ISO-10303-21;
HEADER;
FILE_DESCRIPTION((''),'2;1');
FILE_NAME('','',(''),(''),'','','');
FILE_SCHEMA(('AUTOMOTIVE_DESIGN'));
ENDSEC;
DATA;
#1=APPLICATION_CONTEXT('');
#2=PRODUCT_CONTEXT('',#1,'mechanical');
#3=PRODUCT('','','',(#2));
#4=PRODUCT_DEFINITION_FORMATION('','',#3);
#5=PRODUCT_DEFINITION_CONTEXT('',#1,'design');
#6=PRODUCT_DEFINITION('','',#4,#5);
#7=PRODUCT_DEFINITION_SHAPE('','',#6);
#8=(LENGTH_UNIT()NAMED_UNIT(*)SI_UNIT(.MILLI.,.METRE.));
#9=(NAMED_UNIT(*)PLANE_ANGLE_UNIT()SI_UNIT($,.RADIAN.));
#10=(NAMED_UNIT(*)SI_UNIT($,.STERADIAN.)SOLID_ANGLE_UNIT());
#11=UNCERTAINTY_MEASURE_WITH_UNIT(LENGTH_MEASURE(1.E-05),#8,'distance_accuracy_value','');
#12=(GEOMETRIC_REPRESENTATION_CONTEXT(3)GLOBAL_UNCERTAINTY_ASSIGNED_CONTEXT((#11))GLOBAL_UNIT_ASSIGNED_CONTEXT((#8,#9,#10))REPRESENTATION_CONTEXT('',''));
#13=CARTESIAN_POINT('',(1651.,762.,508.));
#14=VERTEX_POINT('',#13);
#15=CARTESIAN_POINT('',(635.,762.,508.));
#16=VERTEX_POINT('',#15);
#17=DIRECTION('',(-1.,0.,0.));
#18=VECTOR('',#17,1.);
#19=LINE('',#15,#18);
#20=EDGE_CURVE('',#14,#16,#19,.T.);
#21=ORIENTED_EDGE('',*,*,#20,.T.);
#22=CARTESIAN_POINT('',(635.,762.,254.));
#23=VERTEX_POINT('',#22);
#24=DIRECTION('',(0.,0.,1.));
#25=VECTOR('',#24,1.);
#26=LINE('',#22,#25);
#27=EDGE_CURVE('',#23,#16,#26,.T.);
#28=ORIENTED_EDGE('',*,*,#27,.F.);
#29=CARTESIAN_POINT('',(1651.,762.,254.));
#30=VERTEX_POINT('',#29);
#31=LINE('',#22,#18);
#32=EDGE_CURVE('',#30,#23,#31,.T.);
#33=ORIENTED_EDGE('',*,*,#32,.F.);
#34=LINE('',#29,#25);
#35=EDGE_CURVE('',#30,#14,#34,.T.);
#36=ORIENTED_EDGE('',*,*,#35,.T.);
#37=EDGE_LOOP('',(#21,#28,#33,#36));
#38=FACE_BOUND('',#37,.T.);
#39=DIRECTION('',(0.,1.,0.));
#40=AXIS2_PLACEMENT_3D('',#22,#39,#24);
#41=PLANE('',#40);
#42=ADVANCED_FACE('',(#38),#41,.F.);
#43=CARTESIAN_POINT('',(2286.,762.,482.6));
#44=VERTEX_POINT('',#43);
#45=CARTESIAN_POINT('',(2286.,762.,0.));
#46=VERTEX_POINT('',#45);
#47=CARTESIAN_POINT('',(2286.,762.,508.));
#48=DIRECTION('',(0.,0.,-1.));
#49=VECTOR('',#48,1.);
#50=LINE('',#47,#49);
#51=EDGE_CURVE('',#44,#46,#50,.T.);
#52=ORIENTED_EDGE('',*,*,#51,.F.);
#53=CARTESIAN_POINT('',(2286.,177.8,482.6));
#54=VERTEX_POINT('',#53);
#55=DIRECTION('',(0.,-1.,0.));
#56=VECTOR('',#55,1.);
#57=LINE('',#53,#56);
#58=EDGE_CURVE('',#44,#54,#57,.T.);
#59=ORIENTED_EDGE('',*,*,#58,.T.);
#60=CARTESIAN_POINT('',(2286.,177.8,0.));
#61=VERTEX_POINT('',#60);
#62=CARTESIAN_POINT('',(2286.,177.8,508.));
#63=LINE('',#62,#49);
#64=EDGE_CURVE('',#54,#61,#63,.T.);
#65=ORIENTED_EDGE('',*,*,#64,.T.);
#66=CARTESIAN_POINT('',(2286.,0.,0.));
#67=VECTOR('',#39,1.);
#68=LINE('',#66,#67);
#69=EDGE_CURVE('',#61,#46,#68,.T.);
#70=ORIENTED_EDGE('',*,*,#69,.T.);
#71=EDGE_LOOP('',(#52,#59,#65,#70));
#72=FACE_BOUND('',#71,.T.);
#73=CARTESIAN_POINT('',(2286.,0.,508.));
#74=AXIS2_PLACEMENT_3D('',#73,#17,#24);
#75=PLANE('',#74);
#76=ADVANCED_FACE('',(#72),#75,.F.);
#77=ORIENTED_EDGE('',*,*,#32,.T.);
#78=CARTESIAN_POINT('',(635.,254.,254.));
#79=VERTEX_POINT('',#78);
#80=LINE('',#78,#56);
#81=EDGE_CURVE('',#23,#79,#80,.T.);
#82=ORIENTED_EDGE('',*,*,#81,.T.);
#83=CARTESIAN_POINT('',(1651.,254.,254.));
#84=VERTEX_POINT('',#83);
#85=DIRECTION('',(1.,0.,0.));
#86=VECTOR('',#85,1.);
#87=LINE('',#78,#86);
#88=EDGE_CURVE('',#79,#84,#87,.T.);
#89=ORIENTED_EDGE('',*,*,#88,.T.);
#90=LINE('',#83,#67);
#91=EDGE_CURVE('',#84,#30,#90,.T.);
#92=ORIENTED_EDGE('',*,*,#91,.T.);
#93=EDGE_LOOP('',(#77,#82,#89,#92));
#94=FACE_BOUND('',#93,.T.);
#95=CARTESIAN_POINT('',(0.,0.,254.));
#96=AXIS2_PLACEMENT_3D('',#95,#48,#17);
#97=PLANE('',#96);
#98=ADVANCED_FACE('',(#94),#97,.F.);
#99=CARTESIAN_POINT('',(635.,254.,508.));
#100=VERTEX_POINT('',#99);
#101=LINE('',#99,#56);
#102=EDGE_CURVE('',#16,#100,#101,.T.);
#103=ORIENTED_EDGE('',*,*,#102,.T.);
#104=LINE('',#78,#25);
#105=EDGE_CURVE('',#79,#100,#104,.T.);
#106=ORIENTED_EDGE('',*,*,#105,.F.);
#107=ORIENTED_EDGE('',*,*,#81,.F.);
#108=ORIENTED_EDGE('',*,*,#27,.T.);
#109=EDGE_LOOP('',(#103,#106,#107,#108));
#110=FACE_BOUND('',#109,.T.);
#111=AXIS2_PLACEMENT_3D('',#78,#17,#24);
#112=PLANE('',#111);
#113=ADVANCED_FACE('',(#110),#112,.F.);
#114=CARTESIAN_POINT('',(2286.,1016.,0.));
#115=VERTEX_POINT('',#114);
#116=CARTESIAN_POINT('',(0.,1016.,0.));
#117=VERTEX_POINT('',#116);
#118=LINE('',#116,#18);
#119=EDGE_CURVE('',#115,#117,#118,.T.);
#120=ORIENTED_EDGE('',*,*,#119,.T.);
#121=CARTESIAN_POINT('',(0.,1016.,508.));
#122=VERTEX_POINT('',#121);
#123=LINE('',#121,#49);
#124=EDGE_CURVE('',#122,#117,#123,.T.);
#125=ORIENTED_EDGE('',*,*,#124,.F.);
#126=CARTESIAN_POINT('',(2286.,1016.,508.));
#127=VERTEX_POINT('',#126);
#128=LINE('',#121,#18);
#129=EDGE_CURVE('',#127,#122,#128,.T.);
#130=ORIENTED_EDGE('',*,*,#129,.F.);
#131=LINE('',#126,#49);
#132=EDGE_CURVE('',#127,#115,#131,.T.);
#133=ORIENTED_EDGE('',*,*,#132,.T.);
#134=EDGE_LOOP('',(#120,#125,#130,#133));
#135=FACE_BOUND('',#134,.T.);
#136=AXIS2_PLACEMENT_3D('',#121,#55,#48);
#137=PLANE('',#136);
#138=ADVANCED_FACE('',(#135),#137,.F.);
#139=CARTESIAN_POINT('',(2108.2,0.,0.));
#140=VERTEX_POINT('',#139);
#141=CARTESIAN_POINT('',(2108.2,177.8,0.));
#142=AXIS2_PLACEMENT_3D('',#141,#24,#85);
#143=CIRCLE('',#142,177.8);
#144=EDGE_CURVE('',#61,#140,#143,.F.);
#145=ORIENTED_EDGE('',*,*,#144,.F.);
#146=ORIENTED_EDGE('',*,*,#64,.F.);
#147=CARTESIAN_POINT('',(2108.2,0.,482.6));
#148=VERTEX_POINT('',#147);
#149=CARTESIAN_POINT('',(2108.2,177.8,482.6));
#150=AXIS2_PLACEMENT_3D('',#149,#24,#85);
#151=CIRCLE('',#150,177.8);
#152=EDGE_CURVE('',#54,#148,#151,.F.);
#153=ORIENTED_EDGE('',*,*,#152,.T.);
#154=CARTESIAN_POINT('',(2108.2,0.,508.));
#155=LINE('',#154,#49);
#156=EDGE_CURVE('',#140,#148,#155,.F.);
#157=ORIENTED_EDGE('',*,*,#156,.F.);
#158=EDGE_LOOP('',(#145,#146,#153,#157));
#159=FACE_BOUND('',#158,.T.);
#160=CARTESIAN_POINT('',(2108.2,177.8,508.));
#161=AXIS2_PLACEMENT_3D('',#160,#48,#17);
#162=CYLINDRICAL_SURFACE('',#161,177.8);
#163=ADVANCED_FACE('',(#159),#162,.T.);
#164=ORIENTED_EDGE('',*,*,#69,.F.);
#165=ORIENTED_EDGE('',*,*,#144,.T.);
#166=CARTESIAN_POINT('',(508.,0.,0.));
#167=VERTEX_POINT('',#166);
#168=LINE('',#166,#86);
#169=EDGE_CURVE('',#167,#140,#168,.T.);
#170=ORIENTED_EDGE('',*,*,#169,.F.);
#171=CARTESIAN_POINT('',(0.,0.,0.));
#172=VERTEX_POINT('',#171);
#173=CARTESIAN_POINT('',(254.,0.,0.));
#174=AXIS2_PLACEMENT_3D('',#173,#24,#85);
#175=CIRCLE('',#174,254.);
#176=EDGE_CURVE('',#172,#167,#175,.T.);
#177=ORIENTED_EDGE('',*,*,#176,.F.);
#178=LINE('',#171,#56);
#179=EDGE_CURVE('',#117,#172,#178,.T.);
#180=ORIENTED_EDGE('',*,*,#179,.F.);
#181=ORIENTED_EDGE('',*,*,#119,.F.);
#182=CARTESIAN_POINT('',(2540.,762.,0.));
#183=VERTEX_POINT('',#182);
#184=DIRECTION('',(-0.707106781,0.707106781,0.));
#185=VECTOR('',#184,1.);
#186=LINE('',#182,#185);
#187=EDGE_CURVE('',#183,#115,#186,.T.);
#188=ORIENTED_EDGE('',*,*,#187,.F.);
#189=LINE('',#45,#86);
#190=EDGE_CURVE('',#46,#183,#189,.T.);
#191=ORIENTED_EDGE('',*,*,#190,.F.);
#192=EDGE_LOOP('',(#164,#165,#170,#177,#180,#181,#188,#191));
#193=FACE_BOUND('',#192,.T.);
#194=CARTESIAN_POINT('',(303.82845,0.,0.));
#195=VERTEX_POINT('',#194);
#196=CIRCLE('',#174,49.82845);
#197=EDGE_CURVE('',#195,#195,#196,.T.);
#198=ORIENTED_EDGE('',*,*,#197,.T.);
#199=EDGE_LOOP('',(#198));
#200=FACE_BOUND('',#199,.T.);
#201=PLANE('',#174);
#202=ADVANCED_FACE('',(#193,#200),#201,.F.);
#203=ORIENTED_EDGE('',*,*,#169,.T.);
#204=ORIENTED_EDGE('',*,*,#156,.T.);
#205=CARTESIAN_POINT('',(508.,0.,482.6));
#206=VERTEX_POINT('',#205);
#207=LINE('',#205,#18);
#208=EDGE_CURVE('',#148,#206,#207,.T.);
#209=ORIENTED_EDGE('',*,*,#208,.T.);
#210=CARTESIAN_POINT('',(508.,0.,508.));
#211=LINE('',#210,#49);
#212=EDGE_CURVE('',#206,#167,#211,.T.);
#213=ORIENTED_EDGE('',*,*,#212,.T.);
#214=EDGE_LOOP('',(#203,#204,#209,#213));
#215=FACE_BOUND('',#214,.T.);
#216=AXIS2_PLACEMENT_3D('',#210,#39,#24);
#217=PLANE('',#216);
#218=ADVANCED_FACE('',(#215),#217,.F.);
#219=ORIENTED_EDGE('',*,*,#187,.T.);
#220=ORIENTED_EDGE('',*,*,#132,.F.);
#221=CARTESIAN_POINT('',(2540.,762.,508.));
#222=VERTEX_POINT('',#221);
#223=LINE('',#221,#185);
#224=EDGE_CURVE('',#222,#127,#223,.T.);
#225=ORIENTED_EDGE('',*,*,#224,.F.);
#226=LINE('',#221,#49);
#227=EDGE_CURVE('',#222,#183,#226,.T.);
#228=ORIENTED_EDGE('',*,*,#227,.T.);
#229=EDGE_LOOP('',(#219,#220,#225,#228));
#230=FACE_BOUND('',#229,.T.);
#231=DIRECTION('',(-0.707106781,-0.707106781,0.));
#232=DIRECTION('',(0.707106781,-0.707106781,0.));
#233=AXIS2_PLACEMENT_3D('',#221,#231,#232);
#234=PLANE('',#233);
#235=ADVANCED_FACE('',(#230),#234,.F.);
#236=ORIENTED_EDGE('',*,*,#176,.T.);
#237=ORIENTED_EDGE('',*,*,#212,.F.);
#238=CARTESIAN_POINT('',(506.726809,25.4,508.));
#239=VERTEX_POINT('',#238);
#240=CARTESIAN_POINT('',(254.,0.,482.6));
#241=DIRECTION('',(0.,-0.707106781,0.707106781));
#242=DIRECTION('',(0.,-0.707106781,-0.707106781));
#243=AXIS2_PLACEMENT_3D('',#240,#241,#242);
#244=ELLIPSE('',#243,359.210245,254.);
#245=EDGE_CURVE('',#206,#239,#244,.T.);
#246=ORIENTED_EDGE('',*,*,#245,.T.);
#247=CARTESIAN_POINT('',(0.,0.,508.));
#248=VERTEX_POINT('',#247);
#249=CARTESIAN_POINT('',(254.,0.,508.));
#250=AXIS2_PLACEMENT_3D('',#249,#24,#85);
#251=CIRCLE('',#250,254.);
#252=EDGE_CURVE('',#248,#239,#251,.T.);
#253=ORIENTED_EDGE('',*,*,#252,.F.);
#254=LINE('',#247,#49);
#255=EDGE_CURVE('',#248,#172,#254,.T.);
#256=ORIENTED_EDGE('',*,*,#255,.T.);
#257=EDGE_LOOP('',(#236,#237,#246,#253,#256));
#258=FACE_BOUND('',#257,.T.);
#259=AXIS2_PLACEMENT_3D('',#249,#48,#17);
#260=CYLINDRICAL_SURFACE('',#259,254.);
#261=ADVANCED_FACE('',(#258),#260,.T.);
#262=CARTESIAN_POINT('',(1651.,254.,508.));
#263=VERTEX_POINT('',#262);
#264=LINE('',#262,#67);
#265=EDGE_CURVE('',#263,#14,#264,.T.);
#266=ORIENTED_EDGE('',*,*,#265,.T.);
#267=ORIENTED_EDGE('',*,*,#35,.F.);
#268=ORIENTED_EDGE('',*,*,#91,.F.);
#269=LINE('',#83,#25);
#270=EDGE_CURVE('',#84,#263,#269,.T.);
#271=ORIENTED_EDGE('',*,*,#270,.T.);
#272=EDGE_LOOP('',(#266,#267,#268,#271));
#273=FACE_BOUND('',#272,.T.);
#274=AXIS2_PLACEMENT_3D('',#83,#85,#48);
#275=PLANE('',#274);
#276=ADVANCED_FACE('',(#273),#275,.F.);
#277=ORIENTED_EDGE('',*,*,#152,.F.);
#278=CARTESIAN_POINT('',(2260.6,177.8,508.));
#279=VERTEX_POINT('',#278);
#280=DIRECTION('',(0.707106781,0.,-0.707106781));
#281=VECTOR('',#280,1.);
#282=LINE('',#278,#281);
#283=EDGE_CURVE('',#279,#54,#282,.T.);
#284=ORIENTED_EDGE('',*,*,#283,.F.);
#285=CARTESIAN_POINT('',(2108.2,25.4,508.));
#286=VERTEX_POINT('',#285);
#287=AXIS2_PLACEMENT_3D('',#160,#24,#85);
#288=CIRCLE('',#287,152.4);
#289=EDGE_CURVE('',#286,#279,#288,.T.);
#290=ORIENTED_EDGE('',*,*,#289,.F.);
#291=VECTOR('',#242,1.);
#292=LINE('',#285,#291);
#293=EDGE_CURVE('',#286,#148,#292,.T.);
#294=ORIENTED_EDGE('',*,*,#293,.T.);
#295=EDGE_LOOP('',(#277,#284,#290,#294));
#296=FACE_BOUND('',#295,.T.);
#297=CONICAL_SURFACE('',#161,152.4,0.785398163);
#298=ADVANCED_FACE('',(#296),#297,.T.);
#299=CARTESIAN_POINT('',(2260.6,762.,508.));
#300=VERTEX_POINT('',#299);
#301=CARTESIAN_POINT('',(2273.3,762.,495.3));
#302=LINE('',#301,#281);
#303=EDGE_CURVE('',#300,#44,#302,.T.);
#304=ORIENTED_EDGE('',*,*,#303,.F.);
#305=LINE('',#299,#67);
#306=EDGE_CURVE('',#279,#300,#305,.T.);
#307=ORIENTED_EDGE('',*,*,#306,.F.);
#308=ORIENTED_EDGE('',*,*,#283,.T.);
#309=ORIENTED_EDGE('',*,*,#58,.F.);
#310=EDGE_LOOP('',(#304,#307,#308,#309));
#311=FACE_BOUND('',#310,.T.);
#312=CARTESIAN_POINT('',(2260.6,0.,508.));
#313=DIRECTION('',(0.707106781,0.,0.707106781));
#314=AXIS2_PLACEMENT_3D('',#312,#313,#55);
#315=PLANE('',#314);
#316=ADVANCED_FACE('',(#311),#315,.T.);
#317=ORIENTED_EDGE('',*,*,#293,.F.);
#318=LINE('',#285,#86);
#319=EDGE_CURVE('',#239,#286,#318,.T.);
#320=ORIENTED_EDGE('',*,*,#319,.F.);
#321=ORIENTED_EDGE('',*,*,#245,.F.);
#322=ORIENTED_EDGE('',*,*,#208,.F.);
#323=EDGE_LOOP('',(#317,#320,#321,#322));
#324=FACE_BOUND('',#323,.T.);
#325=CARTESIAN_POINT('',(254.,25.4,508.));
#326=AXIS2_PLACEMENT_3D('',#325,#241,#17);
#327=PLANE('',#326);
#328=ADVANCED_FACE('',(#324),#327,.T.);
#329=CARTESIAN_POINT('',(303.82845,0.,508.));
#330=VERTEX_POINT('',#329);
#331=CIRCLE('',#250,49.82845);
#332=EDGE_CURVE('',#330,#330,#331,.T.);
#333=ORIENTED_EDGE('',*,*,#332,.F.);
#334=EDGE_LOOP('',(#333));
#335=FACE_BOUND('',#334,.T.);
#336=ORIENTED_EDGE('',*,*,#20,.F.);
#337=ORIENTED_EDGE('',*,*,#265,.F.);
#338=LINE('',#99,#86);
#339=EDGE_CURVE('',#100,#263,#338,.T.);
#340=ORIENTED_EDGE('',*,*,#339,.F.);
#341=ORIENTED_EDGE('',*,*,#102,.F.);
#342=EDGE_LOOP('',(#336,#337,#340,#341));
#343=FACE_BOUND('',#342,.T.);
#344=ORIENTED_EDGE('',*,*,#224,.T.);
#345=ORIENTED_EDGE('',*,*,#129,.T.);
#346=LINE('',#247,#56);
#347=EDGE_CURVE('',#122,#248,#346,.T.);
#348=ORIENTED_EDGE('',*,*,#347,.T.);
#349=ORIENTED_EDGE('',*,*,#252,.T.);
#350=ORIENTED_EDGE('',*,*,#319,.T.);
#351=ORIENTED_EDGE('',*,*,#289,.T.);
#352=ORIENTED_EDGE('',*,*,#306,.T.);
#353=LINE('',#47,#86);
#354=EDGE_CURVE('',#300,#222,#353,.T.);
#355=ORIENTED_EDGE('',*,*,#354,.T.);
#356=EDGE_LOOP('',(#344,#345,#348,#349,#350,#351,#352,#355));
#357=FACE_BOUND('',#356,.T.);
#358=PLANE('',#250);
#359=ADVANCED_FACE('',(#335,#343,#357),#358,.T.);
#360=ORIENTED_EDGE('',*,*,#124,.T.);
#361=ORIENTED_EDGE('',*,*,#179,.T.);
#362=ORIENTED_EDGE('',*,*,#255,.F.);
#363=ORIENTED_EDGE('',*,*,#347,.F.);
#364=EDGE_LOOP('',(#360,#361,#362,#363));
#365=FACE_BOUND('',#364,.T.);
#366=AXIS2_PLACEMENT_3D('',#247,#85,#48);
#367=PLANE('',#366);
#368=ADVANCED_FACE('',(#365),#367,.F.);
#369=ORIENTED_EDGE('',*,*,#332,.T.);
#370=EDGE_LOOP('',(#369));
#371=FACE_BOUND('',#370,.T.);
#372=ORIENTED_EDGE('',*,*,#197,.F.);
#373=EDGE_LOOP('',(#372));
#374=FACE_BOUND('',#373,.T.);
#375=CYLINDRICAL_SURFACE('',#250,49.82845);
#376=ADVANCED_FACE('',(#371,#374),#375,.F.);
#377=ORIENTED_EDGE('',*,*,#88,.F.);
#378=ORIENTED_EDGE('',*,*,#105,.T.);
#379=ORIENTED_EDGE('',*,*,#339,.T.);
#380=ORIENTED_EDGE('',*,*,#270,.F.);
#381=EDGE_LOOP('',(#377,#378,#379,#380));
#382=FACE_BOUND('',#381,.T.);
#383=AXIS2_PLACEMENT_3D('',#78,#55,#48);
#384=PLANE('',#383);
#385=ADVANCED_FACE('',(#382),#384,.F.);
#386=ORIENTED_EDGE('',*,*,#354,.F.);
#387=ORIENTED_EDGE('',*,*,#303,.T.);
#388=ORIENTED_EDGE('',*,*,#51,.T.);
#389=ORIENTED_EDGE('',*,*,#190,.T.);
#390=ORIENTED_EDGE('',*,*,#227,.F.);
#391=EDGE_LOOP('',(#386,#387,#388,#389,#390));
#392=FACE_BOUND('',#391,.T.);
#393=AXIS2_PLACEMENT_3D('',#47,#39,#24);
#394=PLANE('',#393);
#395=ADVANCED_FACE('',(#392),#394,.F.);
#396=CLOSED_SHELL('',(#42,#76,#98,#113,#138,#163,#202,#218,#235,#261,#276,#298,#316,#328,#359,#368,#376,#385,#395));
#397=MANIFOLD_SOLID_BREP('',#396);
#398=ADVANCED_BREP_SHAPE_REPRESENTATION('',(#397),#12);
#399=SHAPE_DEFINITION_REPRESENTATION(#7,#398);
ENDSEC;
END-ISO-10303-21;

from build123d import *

# Parameters (mm, degrees)
BOSS_EXTRUDE1_DEPTH       = 508
TAP_DRILL_FOR_4_12_TAP1_D = 99.6569
SKETCH8_W                 = 1016
SKETCH8_H                 = 508
CUT_EXTRUDE1_DEPTH        = 254
FILLET1_R                 = 177.8
CHAMFER1_SIZE             = 25.4


with BuildPart() as part:
    # Sketch3 → Boss-Extrude1 (new body)
    with BuildSketch(Plane.XY):
        with BuildLine():
            Line((2286, 762), (2540, 762))
            Line((2540, 762), (2286, 1016))
            Line((2286, 1016), (0, 1016))
            Line((0, 1016), (0, 0))
            ThreePointArc((0, 0), (254, -254), (508, 0))
            Line((508, 0), (2286, 0))
            Line((2286, 0), (2286, 762))
        make_face()
    extrude(amount=BOSS_EXTRUDE1_DEPTH)

    # Tap Drill for 4-12 Tap1 (through all)
    with Locations(Plane(origin=(254, 0, 508), x_dir=(1, 0, 0), z_dir=(0, 0, 1))):
        with Locations((0, 0)):
            Hole(TAP_DRILL_FOR_4_12_TAP1_D / 2)

    # Sketch8 → Cut-Extrude1 (cut)
    with BuildSketch(Plane.XY.offset(508)):
        with Locations((1143, 508)):
            Rectangle(SKETCH8_W, SKETCH8_H)
    extrude(amount=-CUT_EXTRUDE1_DEPTH, mode=Mode.SUBTRACT)

    # Fillet1
    fillet1_edges = [part.edges().sort_by_distance(p)[0] for p in [
        (2286, 0, 254),
    ]]
    fillet(fillet1_edges, radius=FILLET1_R)

    # Chamfer1
    chamfer1_edges = [part.edges().sort_by_distance(p)[0] for p in [
        (2286, 469.9, 508),
        (2233.923585695, 52.076414305, 508),
        (1308.1, 0, 508),
    ]]
    chamfer(chamfer1_edges, length=CHAMFER1_SIZE)


solid = part.part
